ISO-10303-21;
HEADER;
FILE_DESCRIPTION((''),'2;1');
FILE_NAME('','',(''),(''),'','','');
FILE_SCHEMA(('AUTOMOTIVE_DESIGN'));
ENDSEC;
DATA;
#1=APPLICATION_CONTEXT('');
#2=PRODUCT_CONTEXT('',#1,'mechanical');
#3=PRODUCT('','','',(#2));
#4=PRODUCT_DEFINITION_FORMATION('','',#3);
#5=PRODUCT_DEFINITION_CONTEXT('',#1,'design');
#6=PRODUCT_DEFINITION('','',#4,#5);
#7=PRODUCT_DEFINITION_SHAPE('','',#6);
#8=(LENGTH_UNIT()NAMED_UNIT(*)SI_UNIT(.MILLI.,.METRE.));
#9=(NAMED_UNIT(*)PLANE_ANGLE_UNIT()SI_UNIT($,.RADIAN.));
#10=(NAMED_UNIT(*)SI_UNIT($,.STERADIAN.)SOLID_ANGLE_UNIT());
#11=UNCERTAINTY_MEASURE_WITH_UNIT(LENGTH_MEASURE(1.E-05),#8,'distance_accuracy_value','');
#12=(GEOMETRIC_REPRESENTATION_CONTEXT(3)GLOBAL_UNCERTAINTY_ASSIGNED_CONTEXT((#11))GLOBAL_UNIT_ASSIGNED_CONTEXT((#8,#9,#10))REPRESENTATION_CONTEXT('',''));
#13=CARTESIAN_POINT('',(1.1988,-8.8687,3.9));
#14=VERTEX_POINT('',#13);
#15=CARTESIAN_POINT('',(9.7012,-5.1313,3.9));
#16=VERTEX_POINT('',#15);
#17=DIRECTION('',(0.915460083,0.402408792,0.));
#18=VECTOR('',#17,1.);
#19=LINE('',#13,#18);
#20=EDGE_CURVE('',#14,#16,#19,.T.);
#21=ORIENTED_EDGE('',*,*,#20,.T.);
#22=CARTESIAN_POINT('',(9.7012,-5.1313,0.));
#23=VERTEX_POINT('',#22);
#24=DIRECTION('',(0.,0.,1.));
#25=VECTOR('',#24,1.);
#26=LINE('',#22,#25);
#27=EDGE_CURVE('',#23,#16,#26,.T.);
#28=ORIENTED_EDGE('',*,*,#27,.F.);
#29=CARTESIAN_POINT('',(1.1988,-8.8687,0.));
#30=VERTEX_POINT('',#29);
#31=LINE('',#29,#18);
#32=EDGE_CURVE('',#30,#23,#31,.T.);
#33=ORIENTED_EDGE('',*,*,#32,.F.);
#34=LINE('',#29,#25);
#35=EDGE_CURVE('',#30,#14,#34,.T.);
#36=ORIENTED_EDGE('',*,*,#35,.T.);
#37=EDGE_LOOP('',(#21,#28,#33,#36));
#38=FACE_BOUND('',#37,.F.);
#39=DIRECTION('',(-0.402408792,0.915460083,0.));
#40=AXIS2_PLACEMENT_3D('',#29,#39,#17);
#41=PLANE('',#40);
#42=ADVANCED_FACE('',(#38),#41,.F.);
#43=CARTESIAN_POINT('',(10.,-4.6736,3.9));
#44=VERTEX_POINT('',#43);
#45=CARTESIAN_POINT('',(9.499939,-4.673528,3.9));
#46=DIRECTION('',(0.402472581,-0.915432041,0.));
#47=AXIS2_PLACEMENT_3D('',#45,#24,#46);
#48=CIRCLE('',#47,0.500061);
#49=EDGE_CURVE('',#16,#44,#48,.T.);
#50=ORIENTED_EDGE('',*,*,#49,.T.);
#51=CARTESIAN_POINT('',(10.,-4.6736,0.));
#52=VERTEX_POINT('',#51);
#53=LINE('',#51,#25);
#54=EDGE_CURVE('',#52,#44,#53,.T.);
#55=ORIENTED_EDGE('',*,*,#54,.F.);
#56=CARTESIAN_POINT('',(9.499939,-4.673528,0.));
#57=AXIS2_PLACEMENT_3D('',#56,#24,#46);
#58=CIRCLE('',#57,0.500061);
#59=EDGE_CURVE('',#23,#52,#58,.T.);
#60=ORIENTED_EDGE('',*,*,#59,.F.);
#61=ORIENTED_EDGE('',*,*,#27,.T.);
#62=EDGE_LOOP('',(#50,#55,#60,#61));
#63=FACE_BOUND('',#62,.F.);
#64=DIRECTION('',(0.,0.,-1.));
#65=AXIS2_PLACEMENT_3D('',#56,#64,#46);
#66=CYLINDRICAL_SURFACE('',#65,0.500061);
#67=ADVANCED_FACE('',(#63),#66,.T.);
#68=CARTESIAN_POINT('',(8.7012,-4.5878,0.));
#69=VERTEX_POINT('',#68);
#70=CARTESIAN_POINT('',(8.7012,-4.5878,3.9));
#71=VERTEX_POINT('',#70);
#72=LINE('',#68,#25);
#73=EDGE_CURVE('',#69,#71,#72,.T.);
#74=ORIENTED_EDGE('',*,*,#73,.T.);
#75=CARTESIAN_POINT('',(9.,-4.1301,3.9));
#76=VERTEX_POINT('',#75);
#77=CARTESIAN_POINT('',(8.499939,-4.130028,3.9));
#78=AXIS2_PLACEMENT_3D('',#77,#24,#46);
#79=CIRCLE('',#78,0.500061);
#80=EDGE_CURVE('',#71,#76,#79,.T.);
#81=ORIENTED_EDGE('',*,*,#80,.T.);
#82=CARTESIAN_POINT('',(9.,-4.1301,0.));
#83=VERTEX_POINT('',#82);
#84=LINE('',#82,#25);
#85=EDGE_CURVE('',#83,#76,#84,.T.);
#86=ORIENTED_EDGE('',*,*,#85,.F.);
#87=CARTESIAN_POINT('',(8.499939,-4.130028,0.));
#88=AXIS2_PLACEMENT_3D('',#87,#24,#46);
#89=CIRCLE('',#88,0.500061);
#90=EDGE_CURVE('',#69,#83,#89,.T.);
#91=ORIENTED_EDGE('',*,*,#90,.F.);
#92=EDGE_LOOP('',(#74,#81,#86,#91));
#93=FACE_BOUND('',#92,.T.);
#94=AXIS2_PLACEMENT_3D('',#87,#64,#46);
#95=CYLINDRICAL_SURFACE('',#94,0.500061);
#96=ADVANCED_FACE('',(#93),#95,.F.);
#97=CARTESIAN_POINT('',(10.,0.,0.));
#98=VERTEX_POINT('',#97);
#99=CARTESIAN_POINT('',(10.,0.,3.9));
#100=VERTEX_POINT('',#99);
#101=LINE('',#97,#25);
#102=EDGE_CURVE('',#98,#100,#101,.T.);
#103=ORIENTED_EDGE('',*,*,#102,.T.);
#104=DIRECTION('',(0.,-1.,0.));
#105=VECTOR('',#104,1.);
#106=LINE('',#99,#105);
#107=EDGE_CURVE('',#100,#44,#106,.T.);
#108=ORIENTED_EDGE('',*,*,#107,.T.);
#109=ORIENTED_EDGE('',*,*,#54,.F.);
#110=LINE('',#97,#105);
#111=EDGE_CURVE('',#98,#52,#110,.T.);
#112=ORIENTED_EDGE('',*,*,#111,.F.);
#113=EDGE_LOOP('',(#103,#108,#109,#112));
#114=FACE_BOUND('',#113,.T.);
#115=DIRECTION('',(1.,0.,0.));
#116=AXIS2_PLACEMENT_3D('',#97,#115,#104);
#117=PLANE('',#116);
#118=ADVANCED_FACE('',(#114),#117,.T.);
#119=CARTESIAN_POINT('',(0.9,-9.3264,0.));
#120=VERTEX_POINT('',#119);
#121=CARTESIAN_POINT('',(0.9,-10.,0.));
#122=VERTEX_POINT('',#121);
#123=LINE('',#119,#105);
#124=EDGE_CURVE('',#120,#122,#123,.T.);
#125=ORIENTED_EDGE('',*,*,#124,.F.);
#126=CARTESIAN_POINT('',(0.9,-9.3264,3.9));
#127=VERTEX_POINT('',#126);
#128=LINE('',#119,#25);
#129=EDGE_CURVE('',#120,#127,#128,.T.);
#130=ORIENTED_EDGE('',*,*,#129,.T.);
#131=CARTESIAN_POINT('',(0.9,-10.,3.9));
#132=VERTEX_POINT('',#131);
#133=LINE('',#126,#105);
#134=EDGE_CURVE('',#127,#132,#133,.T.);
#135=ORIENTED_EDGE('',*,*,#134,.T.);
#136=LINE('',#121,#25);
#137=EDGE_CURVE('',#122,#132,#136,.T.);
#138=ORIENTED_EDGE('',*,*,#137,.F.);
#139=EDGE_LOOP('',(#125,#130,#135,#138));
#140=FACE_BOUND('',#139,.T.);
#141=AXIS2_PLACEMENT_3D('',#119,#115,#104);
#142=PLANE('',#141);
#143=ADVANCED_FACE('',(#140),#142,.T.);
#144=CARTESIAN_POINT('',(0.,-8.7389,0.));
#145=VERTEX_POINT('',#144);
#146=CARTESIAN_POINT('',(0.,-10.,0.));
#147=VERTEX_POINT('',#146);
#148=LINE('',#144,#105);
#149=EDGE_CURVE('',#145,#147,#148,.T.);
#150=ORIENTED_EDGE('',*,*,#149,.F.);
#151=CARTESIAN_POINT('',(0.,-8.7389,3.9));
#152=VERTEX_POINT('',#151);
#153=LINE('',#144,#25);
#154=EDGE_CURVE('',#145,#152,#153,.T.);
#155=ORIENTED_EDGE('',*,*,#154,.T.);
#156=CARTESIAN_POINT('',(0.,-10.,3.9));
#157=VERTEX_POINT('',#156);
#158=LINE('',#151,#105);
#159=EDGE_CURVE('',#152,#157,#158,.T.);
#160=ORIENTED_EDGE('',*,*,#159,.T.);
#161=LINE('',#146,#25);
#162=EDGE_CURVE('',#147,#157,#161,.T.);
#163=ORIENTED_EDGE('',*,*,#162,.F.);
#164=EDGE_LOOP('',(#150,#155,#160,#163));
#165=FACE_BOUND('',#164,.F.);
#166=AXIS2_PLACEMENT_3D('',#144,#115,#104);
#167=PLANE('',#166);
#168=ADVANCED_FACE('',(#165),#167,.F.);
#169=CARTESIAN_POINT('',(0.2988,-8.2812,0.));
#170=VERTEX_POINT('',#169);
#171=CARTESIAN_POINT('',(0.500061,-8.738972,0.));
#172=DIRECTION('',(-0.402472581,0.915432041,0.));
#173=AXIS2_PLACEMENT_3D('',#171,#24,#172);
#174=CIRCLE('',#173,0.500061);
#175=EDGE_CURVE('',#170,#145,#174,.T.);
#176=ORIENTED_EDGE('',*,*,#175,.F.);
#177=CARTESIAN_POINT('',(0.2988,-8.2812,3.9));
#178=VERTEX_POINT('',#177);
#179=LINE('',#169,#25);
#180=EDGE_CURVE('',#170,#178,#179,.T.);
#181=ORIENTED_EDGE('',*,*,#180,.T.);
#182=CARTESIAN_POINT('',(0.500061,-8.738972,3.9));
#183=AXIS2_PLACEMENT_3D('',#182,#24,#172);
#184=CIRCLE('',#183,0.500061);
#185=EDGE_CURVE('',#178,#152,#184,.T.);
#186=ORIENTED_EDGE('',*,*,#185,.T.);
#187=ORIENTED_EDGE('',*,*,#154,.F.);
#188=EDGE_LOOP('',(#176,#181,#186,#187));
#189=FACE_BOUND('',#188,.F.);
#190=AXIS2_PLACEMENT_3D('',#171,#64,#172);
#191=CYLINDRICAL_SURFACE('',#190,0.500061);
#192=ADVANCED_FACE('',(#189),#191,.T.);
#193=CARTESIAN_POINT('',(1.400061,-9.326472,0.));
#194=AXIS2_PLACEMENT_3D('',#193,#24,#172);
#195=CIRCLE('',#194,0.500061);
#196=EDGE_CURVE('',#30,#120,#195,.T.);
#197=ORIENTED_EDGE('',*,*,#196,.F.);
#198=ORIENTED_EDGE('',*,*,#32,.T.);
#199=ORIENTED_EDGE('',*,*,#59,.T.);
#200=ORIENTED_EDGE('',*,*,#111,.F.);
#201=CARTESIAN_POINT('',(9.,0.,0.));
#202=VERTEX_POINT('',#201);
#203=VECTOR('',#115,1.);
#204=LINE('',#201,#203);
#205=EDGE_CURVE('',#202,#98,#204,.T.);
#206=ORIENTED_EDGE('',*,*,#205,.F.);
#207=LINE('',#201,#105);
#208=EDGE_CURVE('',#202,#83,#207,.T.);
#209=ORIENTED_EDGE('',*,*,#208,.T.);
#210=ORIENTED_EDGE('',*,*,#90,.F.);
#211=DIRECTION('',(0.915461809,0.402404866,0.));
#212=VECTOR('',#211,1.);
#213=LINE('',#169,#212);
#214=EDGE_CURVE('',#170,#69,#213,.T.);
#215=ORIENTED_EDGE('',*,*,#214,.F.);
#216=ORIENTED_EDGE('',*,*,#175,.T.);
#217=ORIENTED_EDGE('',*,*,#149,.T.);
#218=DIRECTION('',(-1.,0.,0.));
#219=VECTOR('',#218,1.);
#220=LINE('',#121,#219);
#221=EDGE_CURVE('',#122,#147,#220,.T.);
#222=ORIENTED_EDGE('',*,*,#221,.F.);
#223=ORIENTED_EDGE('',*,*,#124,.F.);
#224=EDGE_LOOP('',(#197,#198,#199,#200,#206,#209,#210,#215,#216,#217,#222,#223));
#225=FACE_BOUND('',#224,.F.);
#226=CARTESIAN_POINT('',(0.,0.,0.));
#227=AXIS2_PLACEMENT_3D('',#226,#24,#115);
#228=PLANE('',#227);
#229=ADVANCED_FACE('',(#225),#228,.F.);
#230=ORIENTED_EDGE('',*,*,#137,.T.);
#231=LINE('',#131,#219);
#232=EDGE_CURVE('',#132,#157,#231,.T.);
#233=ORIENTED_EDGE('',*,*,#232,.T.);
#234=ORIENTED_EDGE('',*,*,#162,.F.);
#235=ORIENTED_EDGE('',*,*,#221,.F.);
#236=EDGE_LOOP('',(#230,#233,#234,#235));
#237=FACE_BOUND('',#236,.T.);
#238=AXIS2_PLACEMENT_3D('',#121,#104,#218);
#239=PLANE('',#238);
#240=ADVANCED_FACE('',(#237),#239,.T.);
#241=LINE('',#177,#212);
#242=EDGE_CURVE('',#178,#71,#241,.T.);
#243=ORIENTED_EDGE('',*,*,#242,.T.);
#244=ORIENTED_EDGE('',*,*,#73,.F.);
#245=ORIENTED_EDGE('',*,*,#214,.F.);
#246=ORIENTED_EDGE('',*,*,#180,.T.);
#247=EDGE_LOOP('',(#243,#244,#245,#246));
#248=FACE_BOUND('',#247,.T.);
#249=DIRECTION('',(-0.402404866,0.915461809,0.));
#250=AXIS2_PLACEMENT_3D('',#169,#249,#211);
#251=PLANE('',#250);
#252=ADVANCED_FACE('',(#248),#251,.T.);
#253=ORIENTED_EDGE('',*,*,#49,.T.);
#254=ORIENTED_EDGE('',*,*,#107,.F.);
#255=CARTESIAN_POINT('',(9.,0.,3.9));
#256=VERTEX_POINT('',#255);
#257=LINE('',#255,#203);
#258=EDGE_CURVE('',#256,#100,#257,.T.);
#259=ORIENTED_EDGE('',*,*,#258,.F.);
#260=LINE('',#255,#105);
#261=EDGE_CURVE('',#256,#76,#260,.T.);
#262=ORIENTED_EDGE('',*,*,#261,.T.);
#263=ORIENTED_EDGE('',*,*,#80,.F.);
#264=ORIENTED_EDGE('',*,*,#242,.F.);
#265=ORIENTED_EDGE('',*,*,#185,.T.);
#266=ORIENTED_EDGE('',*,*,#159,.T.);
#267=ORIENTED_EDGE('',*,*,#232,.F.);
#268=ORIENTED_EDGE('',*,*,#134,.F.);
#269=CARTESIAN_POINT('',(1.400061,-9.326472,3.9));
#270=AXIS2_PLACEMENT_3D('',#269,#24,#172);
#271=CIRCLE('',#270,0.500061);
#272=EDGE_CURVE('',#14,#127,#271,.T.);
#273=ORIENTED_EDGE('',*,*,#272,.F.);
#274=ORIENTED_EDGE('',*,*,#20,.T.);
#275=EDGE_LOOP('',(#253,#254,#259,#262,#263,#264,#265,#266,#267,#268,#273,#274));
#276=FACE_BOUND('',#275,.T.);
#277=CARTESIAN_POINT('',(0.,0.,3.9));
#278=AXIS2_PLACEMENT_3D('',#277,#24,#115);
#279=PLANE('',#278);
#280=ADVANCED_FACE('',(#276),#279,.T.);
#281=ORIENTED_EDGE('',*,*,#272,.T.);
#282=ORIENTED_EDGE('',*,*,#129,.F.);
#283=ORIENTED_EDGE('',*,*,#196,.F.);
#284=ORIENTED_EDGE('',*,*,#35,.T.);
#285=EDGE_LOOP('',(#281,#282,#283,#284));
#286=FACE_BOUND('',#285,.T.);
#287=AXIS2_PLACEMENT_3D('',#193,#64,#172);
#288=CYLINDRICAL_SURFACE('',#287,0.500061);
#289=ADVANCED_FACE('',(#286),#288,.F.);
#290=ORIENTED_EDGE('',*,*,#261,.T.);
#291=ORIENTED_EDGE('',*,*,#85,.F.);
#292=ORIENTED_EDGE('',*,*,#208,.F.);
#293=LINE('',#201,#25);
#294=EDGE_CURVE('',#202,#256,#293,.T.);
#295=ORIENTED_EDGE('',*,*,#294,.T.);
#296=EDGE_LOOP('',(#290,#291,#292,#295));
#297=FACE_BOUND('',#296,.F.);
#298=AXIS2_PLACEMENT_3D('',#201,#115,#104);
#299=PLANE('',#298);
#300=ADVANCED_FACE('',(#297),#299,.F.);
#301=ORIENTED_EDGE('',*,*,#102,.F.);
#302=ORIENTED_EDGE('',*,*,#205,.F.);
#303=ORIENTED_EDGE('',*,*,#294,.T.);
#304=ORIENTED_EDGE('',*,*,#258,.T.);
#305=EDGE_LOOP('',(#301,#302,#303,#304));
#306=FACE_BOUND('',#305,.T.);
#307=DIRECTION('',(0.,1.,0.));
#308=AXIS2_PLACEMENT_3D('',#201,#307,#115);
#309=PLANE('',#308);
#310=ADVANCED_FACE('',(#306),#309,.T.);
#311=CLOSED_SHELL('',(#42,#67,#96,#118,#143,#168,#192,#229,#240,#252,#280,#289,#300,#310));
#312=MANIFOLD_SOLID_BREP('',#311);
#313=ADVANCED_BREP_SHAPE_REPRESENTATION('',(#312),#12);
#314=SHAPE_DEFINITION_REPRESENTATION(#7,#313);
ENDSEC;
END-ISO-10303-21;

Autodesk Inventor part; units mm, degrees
ref_plane "YZ Plane" through (0, 0, 0) normal (1, 0, 0) x (0, 1, 0)
ref_plane "XZ Plane" through (0, 0, 0) normal (0, 1, 0) x (-1, 0, 0)
ref_plane "XY Plane" through (0, 0, 0) normal (0, 0, 1) x (1, 0, 0)
sketch "Sketch1" plane through (0, 0, 0) normal (0, 0, 1) x (1, 0, 0)
  line L0 (9, 0) -> (10, 0)
  line L1 (13, 0) -> (13, -10)
  line L2 (0, -13.9226) -> (0, -8.7389) construction
  line L3 (0.9, -13.9226) -> (0.9, -9.3264) construction
  line L4 (-0.7394, -10) -> (2.996, -10) construction
  line L5 (-0.7394, -9) -> (2.996, -9) construction
  line L6 (-0.7394, -5) -> (10, -5) construction
  line L7 (1.1988, -8.8687) -> (9.7012, -5.1313)
  line L8 (0.2988, -8.2812) -> (8.7012, -4.5878)
  arc A0 (0.2988, -8.2812) -> (0, -8.7389) centre (0.5, -8.7389) ccw
  arc A1 (1.1988, -8.8687) -> (0.9, -9.3264) centre (1.4, -9.3264) ccw
  line L9 (0.9, -9.3264) -> (0.9, -10)
  line L10 (0.9, -10) -> (0, -10)
  line L11 (10, 0) -> (10, -4.6736)
  line L12 (10, -13.9226) -> (10, -10) construction
  line L13 (10, -5) -> (10, 0) construction
  line L14 (9, 0) -> (9, -4.1301)
  line L15 (0, -8.7389) -> (0, -10)
  arc A2 (8.7012, -4.5878) -> (9, -4.1301) centre (8.5, -4.1301) ccw
  arc A3 (9.7012, -5.1313) -> (10, -4.6736) centre (9.5, -4.6736) ccw
  point P0 (0, 0)
  point P1 (0, -6.4341)
  point P2 (0.9, -9)
  dimension "d0" = 13
  dimension "d1" = 10
  dimension "d2" = 0.9
  dimension "d3" = 1
  dimension "d5" = 4
  dimension "d6" = 0.9
  dimension "d7" = 0.5
  dimension "d8" = 1
  dimension "d9" = 0.5
extrude "Extrusion1" add sketch "Sketch1" along normal blind 3.9
properties part number "Limit switch sheet" material "Silver"
